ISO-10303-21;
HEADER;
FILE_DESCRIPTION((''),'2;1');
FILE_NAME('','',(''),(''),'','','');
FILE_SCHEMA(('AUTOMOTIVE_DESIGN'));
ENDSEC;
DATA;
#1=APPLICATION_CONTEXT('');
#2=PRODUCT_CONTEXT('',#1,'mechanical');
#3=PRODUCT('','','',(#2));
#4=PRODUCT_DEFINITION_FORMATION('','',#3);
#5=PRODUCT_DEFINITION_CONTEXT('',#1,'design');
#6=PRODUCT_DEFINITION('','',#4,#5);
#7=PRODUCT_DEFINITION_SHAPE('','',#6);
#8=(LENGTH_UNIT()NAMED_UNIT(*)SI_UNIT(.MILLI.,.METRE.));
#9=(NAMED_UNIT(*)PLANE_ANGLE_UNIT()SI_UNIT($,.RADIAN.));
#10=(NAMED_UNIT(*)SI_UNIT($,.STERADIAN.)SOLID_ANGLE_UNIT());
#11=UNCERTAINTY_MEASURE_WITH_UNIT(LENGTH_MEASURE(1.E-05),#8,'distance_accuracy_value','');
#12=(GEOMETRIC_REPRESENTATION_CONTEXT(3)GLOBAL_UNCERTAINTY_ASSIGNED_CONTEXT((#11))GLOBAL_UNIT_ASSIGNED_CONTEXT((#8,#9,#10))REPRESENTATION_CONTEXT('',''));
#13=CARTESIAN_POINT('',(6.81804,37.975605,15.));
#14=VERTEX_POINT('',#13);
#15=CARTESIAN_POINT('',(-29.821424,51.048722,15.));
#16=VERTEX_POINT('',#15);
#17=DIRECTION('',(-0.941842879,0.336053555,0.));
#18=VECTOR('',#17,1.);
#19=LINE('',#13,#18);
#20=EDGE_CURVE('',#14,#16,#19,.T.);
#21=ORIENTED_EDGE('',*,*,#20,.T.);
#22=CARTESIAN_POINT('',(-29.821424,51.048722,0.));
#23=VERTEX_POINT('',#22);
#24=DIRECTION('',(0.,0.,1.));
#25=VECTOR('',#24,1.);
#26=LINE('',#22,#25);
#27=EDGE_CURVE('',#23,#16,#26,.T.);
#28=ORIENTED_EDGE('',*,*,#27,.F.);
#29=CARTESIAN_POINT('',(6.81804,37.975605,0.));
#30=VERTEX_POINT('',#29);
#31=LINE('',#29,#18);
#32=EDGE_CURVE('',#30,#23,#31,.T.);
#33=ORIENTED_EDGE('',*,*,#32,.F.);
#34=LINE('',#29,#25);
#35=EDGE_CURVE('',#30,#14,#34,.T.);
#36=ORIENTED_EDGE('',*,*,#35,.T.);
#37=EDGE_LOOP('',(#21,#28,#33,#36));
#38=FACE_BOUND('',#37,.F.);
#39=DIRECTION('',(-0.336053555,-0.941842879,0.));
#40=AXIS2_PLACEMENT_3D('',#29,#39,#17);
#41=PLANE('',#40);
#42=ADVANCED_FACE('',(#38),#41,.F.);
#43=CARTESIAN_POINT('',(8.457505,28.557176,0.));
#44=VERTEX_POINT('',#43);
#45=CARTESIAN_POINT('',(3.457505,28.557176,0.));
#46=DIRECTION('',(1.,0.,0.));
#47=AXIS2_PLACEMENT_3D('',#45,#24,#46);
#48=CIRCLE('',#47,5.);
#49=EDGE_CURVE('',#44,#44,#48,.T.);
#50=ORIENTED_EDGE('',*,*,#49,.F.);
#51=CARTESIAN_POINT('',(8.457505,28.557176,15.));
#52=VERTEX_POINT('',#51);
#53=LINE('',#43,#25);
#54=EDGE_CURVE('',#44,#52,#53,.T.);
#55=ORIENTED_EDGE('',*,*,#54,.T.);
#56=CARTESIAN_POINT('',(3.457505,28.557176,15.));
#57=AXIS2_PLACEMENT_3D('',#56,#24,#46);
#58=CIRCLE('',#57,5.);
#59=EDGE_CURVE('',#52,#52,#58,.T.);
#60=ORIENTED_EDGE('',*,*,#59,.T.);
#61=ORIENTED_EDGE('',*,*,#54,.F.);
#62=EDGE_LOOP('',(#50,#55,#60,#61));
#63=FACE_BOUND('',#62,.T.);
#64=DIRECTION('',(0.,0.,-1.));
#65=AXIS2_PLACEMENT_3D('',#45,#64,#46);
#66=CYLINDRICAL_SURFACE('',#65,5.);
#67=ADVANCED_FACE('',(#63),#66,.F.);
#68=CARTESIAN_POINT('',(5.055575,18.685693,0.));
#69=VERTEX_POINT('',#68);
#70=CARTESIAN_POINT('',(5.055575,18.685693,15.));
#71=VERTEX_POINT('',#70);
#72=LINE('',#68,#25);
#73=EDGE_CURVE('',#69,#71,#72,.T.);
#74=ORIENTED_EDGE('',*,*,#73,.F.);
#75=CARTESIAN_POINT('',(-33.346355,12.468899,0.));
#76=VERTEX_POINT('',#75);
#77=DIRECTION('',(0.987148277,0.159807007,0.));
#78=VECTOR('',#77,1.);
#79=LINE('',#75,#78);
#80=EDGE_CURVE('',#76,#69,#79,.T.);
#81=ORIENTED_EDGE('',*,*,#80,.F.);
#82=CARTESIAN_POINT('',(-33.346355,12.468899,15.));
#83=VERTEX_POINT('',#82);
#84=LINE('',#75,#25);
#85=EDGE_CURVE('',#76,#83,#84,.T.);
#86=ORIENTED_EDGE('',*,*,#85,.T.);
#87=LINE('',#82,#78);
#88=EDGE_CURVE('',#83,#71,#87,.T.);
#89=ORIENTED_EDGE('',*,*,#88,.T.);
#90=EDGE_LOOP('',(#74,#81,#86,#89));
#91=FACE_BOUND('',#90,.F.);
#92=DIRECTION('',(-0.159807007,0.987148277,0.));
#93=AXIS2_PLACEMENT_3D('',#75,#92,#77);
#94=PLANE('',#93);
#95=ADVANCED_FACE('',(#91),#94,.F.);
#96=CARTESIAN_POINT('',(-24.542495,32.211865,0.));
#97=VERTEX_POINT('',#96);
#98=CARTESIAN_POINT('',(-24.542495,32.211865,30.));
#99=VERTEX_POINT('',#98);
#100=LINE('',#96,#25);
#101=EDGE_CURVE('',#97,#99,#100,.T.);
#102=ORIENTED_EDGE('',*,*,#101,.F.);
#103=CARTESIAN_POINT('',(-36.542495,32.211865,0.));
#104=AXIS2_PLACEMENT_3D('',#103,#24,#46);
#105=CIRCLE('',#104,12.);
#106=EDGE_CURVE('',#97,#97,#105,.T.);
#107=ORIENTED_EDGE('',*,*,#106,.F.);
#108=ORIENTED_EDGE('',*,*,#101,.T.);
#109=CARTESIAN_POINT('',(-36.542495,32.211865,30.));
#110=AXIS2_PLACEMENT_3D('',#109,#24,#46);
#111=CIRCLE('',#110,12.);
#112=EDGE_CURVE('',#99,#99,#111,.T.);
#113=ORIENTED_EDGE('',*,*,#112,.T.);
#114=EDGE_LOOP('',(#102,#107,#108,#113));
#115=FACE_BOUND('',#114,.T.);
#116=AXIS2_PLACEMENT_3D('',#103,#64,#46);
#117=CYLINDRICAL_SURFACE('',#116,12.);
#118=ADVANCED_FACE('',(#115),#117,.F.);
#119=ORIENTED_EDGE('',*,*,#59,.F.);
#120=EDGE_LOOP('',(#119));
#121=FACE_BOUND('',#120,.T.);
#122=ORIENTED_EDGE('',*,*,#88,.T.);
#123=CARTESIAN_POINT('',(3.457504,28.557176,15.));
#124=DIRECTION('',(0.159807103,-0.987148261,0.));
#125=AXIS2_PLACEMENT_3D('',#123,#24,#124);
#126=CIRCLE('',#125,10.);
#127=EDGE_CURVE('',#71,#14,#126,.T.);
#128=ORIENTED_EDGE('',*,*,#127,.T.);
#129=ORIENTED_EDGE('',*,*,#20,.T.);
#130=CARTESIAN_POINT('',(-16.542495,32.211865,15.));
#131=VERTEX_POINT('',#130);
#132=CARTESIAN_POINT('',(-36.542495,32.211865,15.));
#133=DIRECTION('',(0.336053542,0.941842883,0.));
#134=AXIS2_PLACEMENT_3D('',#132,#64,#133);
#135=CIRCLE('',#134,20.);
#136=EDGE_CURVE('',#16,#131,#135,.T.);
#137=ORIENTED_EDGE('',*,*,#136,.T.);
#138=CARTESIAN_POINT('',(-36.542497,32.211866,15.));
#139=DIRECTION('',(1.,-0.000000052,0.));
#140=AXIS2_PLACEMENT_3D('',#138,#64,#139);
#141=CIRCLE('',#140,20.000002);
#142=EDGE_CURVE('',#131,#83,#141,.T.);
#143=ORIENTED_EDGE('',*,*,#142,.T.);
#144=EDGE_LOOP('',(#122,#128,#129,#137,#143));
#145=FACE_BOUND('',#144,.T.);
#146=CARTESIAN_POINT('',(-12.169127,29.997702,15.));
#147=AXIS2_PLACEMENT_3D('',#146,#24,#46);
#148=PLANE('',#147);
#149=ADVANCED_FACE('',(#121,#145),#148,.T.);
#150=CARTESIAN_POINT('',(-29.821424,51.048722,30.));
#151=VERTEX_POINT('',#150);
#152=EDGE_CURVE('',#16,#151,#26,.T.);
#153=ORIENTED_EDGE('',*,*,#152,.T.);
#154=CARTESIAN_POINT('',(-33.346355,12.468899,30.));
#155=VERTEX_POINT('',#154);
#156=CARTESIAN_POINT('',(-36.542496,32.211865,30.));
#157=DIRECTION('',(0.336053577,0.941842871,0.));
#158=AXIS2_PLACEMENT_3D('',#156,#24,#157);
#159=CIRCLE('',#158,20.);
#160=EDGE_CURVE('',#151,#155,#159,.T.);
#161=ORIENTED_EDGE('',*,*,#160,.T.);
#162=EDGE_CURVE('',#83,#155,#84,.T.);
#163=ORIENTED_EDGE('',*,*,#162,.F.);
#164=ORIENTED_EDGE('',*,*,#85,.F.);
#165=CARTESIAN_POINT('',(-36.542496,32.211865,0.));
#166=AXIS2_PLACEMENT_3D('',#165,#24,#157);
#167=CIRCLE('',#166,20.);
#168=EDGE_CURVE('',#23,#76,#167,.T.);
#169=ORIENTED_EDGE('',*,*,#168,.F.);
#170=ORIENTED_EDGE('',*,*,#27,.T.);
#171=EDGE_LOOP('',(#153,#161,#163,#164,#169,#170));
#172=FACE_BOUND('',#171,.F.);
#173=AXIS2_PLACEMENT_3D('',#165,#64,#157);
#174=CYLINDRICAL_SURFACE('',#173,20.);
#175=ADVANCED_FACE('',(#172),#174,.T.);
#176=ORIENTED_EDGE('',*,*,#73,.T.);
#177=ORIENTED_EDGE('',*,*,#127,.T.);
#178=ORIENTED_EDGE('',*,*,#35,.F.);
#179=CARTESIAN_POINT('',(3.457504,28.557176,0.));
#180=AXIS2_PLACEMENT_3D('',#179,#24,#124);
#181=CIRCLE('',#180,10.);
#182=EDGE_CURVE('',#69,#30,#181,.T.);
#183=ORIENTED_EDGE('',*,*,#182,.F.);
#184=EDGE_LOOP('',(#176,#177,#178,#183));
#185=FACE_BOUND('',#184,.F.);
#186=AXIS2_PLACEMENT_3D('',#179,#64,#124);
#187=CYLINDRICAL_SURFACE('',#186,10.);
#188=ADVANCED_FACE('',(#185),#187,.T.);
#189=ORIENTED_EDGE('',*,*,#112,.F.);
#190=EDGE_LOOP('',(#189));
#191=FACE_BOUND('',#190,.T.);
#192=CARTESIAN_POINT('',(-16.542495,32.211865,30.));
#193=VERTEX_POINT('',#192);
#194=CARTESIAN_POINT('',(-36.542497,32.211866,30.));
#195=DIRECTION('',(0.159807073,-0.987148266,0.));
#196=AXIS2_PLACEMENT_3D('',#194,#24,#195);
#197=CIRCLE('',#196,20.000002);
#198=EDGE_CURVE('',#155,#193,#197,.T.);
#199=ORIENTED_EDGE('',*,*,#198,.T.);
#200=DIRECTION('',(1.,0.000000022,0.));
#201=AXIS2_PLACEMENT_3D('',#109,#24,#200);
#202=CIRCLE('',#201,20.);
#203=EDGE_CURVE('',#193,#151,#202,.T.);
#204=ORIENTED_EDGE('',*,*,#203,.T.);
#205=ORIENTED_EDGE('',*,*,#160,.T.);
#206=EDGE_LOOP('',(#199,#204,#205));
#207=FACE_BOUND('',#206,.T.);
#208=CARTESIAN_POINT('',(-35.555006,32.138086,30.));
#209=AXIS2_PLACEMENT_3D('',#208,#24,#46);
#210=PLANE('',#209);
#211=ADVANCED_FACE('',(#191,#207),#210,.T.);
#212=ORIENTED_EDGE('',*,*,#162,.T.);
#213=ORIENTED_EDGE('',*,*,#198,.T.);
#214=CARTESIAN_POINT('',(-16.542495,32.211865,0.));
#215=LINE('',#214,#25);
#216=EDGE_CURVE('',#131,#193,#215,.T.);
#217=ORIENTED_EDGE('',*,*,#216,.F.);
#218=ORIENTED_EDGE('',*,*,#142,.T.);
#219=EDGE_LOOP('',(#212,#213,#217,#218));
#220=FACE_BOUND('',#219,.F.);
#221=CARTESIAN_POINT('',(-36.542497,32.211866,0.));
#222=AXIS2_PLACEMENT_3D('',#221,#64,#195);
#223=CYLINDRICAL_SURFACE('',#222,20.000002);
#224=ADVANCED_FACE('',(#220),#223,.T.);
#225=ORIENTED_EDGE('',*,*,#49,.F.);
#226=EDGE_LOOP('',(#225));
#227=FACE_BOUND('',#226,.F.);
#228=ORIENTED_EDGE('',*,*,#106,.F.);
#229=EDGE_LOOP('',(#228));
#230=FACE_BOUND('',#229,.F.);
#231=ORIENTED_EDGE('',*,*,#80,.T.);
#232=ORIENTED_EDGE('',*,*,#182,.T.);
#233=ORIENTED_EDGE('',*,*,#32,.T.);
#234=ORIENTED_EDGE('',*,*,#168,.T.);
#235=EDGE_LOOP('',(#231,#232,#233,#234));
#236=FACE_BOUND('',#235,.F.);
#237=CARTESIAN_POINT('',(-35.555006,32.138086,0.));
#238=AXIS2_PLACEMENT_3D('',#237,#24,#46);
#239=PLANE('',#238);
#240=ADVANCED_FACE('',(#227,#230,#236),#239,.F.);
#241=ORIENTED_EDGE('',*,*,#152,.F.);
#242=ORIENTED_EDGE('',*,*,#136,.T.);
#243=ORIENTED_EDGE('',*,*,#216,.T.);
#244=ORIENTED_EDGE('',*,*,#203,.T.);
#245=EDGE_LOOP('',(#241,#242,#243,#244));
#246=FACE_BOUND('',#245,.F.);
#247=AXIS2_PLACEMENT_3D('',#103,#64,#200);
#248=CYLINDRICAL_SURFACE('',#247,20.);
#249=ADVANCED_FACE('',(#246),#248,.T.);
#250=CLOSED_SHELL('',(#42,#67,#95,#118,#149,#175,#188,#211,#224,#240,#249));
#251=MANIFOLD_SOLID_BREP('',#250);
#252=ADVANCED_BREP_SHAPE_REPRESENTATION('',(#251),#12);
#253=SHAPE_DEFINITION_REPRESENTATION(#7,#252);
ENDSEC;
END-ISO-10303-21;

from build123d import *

# Parameters (mm, degrees)
F0_R     = 5
F1_DEPTH = 15
F0_R_2   = 12
F2_DEPTH = 30


with BuildPart() as f1:
    # F0 (on Top) → F1 (new body)
    with BuildSketch(Plane.XY):
        with BuildLine():
            ThreePointArc((-29.821424, 51.048722), (-20.195914, 43.735288), (-16.542495, 32.211865))
            ThreePointArc((-16.542495, 32.211865), (-21.312216, 19.248895), (-33.346355, 12.468899))
            Line((-33.346355, 12.468899), (5.055575, 18.685693))
            ThreePointArc((5.055575, 18.685693), (13.416024, 27.647294), (6.81804, 37.975605))
            Line((6.81804, 37.975605), (-29.821424, 51.048722))
        make_face()
        with Locations((3.457505, 28.557176)):
            Circle(F0_R, mode=Mode.SUBTRACT)
    extrude(amount=F1_DEPTH)

    # F0 (on Top) → F2 (join)
    with BuildSketch(Plane.XY):
        with BuildLine():
            ThreePointArc((-33.346355, 12.468899), (-21.312216, 19.248895), (-16.542495, 32.211865))
            ThreePointArc((-16.542495, 32.211865), (-20.195914, 43.735288), (-29.821424, 51.048722))
            ThreePointArc((-29.821424, 51.048722), (-56.459535, 34.031629), (-33.346355, 12.468899))
        make_face()
        with Locations((-36.542495, 32.211865)):
            Circle(F0_R_2, mode=Mode.SUBTRACT)
    extrude(amount=F2_DEPTH)


solid = f1.part
